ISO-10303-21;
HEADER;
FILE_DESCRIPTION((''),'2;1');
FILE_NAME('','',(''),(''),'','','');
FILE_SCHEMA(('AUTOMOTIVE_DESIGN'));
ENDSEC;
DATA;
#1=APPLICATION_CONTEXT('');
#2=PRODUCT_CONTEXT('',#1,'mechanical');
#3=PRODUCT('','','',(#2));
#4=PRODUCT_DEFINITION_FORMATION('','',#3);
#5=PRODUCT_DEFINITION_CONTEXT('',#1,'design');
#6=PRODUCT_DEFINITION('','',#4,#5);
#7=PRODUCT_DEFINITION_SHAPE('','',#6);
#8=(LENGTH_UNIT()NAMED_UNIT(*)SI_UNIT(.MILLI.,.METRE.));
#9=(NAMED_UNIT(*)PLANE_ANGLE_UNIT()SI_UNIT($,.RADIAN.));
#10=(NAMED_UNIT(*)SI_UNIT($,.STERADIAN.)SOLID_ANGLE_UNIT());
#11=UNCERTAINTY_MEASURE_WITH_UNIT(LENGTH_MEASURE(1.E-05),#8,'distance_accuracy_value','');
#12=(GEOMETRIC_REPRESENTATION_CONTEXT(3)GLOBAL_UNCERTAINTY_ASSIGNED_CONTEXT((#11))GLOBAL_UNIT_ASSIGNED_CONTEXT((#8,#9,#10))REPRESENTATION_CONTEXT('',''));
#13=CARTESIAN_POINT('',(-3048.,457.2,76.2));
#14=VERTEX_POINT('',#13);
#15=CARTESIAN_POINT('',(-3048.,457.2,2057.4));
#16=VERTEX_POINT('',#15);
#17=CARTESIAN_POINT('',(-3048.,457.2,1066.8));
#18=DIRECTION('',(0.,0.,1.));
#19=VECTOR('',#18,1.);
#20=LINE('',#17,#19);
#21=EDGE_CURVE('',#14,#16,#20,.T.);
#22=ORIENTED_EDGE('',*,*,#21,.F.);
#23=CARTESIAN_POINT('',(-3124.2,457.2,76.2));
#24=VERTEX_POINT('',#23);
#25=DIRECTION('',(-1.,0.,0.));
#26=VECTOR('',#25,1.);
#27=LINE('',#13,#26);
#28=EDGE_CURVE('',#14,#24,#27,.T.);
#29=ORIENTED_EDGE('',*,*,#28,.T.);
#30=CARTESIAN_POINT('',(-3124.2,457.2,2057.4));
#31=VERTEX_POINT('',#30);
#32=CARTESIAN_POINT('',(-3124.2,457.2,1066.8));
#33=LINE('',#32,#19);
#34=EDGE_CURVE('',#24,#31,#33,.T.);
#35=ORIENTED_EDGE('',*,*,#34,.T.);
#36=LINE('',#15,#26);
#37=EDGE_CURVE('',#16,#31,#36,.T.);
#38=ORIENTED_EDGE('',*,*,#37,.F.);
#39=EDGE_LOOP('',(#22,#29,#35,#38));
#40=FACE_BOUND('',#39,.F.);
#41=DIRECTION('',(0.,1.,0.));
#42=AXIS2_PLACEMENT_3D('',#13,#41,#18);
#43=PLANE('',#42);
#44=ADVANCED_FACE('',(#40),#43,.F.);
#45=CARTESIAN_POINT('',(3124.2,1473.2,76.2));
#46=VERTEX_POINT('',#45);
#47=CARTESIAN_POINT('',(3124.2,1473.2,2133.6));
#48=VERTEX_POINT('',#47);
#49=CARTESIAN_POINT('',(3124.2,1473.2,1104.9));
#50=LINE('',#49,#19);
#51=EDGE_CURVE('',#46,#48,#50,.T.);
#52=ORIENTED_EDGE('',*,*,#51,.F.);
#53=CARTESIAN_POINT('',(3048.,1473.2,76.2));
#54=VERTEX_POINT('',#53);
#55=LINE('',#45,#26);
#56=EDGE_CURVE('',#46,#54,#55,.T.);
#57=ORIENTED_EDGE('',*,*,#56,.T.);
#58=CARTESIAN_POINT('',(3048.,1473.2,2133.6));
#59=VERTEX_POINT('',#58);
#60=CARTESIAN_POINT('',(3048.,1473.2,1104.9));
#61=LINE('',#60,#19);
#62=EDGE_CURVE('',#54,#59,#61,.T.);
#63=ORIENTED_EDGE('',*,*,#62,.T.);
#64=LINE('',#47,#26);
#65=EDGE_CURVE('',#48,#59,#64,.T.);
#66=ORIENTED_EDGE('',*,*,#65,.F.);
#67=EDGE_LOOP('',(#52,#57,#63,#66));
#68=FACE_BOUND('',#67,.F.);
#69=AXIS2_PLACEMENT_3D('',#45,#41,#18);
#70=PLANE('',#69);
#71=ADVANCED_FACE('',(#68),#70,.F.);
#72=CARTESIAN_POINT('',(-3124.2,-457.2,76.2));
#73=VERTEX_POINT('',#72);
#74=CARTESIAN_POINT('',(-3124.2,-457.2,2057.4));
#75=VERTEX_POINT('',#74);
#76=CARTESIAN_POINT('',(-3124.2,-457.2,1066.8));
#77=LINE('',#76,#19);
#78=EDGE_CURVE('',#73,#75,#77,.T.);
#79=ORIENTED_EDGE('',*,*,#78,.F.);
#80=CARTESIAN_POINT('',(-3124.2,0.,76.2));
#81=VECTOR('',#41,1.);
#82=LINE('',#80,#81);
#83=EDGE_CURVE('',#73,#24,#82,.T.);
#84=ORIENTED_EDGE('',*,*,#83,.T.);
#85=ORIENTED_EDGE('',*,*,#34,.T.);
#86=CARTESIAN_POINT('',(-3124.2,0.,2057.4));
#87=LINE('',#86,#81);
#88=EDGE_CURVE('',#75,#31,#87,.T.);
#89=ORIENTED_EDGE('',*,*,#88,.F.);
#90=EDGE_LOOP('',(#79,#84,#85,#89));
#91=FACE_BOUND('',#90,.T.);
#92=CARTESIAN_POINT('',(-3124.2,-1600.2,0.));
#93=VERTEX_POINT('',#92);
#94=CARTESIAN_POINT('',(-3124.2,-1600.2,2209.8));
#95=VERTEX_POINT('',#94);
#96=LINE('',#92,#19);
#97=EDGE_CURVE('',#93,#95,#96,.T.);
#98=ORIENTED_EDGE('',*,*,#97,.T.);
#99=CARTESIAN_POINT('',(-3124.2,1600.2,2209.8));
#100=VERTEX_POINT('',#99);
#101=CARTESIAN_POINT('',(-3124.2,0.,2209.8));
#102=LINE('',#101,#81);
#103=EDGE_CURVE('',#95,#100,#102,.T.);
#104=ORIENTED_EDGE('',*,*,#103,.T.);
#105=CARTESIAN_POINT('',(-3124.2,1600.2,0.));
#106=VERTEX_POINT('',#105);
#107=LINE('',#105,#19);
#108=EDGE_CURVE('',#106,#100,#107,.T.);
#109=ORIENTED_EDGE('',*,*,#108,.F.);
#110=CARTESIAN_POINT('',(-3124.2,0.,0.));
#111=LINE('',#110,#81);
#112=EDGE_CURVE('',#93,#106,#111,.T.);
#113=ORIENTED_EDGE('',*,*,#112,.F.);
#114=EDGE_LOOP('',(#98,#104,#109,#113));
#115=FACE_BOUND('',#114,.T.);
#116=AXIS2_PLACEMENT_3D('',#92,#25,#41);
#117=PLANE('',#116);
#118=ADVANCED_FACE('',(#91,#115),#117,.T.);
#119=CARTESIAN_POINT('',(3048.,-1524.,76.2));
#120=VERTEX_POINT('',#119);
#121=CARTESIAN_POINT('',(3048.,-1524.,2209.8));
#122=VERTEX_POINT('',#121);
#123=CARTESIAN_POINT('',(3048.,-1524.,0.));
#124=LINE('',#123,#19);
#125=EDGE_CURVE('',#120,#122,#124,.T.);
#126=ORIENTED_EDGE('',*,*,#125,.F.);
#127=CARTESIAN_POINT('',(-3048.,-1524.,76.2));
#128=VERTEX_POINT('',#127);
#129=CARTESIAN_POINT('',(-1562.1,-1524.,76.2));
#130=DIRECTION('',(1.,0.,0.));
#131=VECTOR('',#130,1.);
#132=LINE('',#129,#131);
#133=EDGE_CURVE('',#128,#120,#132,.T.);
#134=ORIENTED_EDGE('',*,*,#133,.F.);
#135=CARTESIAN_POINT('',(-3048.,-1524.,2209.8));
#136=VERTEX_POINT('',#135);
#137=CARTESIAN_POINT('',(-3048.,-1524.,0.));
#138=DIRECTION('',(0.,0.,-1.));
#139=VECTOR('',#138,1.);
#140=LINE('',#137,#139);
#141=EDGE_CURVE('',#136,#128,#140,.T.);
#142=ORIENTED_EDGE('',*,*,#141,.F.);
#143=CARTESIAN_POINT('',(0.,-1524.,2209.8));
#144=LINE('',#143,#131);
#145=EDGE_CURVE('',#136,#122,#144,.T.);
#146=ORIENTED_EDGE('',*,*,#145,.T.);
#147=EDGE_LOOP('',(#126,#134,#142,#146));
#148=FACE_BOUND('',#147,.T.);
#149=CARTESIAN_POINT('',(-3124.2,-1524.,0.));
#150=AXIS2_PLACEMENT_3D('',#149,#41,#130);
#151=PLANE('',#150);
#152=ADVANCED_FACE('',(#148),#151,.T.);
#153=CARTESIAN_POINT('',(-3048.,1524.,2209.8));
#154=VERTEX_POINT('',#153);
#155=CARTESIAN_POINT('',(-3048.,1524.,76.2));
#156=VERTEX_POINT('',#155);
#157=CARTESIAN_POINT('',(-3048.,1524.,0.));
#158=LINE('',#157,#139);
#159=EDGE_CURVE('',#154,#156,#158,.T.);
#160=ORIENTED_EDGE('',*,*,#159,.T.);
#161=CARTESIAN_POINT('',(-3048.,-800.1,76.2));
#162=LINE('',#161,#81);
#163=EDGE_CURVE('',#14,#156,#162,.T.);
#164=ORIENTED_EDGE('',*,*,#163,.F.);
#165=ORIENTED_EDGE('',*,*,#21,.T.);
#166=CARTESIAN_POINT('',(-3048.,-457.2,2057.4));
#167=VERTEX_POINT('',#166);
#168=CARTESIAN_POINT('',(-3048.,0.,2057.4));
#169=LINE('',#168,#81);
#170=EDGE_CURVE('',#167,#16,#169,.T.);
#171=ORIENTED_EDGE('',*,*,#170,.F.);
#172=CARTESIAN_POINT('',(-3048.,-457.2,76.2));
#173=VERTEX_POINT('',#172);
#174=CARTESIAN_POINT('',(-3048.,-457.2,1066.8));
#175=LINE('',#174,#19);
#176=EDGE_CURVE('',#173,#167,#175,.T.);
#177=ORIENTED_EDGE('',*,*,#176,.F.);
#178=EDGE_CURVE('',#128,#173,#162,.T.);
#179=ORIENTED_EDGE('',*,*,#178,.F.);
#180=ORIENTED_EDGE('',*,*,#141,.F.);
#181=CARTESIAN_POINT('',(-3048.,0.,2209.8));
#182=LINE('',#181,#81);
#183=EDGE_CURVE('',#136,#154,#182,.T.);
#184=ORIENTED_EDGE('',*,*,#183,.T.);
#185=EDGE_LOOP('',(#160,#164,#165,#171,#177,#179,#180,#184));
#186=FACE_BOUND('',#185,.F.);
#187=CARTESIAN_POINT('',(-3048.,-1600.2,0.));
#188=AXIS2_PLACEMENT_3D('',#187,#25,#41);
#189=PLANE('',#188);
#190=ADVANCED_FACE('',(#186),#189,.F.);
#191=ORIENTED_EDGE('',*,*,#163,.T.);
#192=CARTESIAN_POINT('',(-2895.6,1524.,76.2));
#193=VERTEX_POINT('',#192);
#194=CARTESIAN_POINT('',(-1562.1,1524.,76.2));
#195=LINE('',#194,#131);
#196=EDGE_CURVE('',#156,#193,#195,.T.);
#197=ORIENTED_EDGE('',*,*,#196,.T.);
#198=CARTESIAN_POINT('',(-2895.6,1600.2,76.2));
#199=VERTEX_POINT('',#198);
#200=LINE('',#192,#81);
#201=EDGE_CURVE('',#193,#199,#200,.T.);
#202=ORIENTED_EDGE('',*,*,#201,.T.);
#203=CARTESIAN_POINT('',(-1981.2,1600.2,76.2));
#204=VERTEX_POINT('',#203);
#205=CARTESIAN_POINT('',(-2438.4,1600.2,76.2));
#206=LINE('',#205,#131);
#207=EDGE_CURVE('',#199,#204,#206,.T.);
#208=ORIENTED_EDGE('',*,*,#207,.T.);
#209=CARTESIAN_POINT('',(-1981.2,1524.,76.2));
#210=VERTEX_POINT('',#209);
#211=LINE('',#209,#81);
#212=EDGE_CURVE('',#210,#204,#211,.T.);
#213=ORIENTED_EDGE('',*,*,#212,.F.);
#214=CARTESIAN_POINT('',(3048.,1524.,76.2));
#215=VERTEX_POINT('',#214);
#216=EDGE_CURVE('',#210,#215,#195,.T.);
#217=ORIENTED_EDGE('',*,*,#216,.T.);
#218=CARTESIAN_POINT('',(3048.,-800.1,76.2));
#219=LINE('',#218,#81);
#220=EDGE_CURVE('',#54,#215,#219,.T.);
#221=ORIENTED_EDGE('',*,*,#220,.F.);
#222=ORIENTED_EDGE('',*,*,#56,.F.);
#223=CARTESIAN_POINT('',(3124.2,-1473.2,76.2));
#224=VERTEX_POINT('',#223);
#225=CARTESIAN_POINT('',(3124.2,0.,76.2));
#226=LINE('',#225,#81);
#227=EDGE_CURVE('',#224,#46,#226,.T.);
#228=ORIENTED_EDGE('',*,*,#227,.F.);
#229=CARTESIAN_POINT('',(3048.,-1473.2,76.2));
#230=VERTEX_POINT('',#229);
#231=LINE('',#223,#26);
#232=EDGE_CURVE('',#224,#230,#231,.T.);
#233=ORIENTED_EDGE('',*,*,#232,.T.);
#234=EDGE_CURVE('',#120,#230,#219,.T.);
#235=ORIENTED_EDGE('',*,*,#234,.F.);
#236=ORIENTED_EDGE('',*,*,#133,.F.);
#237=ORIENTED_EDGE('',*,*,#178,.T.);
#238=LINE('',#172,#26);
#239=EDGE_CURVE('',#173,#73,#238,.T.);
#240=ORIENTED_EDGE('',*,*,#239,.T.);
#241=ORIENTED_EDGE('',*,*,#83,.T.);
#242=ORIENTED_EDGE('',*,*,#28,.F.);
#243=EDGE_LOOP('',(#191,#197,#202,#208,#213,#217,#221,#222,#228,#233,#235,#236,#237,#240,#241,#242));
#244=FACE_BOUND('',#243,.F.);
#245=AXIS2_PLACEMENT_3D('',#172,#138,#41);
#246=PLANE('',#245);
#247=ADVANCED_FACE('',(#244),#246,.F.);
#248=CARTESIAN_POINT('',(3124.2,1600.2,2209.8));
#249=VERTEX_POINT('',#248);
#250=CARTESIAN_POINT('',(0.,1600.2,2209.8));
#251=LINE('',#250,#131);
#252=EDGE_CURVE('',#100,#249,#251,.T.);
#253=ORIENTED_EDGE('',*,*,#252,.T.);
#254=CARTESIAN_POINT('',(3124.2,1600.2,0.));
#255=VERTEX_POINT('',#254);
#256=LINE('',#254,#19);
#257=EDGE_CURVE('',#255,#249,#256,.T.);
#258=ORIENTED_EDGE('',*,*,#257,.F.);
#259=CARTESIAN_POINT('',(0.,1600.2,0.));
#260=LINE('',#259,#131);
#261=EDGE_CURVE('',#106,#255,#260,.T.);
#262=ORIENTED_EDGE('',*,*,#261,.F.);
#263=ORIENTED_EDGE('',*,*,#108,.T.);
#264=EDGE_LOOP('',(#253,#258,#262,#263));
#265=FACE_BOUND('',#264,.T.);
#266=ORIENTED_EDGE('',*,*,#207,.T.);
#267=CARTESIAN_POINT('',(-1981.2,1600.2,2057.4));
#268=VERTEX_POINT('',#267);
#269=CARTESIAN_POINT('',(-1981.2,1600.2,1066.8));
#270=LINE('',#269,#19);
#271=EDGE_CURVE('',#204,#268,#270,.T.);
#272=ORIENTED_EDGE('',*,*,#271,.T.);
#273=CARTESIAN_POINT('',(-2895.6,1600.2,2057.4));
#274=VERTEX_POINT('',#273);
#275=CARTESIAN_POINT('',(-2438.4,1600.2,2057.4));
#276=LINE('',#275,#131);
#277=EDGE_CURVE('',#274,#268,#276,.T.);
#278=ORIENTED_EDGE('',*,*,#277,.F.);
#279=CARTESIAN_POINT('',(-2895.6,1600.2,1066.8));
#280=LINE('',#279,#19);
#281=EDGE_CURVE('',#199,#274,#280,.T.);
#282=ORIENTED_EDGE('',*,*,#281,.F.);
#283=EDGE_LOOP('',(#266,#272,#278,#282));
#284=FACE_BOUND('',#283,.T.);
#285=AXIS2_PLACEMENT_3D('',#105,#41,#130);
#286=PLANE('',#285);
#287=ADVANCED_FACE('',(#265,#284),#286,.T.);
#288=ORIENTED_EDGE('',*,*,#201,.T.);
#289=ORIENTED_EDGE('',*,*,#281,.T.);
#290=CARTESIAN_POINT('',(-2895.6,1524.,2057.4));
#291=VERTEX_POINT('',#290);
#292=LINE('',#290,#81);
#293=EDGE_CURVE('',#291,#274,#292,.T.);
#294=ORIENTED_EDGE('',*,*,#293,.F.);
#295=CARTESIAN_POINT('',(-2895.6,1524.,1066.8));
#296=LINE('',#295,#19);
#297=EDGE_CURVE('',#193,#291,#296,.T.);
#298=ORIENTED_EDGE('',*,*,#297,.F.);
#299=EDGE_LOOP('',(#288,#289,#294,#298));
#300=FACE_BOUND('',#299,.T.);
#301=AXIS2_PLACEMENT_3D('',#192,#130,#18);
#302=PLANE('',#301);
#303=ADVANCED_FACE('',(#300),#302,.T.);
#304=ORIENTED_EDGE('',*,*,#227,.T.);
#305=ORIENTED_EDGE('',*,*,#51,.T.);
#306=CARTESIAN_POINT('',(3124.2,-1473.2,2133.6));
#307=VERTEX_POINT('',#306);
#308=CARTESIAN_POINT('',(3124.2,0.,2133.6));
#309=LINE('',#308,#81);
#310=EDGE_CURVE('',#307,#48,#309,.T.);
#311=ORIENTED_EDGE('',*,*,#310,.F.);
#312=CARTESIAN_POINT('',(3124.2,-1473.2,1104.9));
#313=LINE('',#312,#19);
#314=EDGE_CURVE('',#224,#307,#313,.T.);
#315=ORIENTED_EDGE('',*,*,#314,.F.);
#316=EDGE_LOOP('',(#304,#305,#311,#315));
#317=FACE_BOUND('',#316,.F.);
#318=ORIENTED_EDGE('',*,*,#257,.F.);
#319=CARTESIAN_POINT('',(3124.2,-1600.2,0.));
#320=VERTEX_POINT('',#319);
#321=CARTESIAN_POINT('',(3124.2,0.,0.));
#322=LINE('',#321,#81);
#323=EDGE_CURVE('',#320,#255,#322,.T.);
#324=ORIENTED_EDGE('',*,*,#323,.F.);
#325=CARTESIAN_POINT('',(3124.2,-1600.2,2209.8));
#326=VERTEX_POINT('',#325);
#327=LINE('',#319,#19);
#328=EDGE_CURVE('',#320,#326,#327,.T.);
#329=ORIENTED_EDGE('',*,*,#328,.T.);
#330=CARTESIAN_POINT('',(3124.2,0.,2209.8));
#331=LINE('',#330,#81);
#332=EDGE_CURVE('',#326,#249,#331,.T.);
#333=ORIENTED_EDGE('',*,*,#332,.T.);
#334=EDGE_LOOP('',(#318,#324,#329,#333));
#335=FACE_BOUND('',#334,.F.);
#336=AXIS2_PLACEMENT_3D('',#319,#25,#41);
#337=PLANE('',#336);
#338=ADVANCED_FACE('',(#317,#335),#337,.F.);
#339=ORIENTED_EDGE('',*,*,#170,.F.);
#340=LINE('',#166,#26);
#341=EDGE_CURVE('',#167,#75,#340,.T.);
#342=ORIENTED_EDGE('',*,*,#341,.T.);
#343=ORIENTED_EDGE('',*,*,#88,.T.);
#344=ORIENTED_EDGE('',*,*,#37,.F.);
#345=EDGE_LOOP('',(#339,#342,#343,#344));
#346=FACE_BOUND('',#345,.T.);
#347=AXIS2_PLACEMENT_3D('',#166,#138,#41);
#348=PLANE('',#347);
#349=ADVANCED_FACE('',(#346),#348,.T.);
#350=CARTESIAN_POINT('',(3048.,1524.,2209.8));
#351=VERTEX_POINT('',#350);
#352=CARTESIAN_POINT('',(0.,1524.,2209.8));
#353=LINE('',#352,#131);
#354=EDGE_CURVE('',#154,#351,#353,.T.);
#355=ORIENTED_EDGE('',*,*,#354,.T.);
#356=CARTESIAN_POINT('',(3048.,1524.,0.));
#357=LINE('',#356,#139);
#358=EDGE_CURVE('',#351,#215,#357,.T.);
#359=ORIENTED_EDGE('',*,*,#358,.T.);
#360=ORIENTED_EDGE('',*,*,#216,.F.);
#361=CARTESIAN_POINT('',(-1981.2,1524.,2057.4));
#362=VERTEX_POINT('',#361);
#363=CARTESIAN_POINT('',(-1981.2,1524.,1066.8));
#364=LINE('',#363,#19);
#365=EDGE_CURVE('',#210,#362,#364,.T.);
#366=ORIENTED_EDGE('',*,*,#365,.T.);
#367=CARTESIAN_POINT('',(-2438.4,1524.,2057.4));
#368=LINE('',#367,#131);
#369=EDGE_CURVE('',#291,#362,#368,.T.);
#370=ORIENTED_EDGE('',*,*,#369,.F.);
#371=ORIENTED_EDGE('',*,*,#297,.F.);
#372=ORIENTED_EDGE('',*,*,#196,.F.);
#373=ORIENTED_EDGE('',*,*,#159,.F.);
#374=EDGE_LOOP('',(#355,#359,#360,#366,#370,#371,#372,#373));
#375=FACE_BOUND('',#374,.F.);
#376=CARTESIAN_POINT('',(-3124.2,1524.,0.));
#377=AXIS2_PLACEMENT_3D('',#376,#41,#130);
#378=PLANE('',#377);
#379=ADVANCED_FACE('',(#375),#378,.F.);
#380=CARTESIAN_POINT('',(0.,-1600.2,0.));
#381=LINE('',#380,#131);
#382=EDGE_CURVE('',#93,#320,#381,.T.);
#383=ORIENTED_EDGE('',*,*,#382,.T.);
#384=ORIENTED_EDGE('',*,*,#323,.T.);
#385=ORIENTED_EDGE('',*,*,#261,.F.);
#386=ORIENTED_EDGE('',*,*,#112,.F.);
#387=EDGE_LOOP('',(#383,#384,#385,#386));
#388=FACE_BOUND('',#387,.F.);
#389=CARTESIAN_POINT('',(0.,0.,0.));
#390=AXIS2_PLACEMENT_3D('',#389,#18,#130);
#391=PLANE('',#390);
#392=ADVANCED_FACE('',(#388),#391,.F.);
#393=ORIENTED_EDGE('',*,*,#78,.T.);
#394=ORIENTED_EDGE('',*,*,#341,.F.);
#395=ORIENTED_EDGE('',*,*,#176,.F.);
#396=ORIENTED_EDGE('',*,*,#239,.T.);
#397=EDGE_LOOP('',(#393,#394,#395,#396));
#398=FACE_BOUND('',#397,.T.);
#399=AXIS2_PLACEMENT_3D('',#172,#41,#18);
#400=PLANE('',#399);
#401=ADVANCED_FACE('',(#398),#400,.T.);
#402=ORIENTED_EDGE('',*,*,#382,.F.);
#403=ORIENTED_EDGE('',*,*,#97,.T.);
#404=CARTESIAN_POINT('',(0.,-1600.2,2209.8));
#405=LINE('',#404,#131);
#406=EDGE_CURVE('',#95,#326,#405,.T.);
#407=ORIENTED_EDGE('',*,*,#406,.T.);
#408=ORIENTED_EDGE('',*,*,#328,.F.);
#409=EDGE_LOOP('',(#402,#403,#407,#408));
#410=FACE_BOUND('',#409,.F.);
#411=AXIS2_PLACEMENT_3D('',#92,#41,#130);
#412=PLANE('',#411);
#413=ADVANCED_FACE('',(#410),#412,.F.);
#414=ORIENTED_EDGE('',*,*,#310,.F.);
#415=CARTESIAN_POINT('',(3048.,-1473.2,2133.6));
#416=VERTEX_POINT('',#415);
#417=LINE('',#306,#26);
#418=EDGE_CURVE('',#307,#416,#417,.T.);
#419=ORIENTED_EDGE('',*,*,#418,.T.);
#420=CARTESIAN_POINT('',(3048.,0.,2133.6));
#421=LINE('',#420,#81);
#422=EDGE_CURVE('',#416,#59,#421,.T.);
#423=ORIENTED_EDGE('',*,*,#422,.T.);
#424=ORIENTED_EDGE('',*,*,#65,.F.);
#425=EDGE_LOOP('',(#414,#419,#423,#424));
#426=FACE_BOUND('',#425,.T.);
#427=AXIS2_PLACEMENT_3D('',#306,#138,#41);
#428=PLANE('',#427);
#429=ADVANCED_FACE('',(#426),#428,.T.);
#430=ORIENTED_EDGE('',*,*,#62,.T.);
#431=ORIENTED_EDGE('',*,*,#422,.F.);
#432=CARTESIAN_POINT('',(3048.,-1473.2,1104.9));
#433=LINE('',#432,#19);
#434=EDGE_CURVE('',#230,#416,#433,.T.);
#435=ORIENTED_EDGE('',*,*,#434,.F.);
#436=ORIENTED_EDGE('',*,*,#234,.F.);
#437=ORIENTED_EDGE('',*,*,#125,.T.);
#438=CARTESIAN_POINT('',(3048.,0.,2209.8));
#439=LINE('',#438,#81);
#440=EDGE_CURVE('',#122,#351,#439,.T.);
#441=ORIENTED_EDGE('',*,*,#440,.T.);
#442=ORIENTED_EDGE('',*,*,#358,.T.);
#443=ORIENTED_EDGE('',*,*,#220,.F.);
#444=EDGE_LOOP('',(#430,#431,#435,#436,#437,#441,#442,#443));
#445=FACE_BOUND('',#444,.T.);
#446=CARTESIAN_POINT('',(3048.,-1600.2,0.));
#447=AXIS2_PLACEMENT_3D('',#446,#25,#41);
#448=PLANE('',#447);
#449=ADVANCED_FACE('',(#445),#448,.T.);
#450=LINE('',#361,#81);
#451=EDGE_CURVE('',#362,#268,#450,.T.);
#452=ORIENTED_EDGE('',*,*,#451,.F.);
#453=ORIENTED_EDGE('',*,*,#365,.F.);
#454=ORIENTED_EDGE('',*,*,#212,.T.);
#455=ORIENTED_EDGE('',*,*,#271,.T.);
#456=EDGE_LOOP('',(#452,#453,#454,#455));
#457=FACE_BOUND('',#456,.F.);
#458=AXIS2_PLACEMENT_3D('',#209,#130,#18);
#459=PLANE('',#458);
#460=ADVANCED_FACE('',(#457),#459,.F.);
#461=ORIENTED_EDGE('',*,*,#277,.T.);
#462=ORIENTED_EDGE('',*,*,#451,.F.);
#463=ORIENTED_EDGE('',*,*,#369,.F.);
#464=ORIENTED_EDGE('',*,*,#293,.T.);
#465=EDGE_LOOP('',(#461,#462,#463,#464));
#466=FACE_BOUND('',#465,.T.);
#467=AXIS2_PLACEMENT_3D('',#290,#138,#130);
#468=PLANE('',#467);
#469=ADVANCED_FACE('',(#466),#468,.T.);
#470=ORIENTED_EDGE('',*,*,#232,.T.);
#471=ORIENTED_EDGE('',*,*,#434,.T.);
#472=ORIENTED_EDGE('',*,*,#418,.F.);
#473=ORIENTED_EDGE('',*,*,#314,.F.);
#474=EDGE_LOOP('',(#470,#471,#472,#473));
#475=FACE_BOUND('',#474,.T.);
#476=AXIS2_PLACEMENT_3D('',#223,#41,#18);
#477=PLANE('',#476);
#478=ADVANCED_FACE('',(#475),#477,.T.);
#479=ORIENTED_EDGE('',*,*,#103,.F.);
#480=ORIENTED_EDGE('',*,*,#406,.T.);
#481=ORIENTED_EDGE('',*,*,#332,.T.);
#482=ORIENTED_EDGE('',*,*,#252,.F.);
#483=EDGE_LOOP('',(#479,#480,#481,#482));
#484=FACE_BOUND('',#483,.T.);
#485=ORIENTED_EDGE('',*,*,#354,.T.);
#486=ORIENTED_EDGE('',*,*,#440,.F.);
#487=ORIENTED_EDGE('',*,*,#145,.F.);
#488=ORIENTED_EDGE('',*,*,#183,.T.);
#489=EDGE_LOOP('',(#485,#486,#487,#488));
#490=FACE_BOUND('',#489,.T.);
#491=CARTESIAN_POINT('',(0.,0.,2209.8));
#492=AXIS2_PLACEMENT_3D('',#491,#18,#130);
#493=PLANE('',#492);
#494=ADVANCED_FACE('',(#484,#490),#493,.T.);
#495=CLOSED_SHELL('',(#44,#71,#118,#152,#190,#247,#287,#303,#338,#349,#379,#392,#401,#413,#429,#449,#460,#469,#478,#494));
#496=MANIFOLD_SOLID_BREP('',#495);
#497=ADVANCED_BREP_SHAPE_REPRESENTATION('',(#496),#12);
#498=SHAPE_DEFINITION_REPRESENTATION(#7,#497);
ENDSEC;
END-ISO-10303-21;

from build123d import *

# Parameters (mm, degrees)
F0_W     = 6248.4
F0_H     = 3200.4
F1_DEPTH = 2209.8
F2_T     = -76.2
F3_W     = 914.4
F3_H     = 1981.2
F4_DEPTH = 76.2
F5_W     = 2946.4
F5_H     = 2057.4
F6_DEPTH = 76.2
F7_W     = 914.4
F7_H     = 1981.2
F8_DEPTH = 76.2


with BuildPart() as f1:
    # F0 (on Top) → F1 (new body)
    with BuildSketch(Plane.XY):
        Rectangle(F0_W, F0_H)
    extrude(amount=F1_DEPTH)

    # F2
    f2_openings = [f1.faces().sort_by_distance(p)[0] for p in [
        (0, 0, 2209.8),
    ]]
    offset(amount=F2_T, openings=f2_openings)

    # F3 (on face) → F4 (cut, through all)
    with BuildSketch(Plane.YZ.offset(-3048)):
        with Locations((0, 1066.8)):
            Rectangle(F3_W, F3_H)
    extrude(amount=-F4_DEPTH, mode=Mode.SUBTRACT)

    # F5 (on face) → F6 (cut, through all)
    with BuildSketch(Plane.YZ.offset(3124.2)):
        with Locations((0, 1104.9)):
            Rectangle(F5_W, F5_H)
    extrude(amount=-F6_DEPTH, mode=Mode.SUBTRACT)

    # F7 (on face) → F8 (cut, through all)
    with BuildSketch(Plane.XZ.offset(-1524)):
        with Locations((-2438.4, 1066.8)):
            Rectangle(F7_W, F7_H)
    extrude(amount=-F8_DEPTH, mode=Mode.SUBTRACT)


solid = f1.part
